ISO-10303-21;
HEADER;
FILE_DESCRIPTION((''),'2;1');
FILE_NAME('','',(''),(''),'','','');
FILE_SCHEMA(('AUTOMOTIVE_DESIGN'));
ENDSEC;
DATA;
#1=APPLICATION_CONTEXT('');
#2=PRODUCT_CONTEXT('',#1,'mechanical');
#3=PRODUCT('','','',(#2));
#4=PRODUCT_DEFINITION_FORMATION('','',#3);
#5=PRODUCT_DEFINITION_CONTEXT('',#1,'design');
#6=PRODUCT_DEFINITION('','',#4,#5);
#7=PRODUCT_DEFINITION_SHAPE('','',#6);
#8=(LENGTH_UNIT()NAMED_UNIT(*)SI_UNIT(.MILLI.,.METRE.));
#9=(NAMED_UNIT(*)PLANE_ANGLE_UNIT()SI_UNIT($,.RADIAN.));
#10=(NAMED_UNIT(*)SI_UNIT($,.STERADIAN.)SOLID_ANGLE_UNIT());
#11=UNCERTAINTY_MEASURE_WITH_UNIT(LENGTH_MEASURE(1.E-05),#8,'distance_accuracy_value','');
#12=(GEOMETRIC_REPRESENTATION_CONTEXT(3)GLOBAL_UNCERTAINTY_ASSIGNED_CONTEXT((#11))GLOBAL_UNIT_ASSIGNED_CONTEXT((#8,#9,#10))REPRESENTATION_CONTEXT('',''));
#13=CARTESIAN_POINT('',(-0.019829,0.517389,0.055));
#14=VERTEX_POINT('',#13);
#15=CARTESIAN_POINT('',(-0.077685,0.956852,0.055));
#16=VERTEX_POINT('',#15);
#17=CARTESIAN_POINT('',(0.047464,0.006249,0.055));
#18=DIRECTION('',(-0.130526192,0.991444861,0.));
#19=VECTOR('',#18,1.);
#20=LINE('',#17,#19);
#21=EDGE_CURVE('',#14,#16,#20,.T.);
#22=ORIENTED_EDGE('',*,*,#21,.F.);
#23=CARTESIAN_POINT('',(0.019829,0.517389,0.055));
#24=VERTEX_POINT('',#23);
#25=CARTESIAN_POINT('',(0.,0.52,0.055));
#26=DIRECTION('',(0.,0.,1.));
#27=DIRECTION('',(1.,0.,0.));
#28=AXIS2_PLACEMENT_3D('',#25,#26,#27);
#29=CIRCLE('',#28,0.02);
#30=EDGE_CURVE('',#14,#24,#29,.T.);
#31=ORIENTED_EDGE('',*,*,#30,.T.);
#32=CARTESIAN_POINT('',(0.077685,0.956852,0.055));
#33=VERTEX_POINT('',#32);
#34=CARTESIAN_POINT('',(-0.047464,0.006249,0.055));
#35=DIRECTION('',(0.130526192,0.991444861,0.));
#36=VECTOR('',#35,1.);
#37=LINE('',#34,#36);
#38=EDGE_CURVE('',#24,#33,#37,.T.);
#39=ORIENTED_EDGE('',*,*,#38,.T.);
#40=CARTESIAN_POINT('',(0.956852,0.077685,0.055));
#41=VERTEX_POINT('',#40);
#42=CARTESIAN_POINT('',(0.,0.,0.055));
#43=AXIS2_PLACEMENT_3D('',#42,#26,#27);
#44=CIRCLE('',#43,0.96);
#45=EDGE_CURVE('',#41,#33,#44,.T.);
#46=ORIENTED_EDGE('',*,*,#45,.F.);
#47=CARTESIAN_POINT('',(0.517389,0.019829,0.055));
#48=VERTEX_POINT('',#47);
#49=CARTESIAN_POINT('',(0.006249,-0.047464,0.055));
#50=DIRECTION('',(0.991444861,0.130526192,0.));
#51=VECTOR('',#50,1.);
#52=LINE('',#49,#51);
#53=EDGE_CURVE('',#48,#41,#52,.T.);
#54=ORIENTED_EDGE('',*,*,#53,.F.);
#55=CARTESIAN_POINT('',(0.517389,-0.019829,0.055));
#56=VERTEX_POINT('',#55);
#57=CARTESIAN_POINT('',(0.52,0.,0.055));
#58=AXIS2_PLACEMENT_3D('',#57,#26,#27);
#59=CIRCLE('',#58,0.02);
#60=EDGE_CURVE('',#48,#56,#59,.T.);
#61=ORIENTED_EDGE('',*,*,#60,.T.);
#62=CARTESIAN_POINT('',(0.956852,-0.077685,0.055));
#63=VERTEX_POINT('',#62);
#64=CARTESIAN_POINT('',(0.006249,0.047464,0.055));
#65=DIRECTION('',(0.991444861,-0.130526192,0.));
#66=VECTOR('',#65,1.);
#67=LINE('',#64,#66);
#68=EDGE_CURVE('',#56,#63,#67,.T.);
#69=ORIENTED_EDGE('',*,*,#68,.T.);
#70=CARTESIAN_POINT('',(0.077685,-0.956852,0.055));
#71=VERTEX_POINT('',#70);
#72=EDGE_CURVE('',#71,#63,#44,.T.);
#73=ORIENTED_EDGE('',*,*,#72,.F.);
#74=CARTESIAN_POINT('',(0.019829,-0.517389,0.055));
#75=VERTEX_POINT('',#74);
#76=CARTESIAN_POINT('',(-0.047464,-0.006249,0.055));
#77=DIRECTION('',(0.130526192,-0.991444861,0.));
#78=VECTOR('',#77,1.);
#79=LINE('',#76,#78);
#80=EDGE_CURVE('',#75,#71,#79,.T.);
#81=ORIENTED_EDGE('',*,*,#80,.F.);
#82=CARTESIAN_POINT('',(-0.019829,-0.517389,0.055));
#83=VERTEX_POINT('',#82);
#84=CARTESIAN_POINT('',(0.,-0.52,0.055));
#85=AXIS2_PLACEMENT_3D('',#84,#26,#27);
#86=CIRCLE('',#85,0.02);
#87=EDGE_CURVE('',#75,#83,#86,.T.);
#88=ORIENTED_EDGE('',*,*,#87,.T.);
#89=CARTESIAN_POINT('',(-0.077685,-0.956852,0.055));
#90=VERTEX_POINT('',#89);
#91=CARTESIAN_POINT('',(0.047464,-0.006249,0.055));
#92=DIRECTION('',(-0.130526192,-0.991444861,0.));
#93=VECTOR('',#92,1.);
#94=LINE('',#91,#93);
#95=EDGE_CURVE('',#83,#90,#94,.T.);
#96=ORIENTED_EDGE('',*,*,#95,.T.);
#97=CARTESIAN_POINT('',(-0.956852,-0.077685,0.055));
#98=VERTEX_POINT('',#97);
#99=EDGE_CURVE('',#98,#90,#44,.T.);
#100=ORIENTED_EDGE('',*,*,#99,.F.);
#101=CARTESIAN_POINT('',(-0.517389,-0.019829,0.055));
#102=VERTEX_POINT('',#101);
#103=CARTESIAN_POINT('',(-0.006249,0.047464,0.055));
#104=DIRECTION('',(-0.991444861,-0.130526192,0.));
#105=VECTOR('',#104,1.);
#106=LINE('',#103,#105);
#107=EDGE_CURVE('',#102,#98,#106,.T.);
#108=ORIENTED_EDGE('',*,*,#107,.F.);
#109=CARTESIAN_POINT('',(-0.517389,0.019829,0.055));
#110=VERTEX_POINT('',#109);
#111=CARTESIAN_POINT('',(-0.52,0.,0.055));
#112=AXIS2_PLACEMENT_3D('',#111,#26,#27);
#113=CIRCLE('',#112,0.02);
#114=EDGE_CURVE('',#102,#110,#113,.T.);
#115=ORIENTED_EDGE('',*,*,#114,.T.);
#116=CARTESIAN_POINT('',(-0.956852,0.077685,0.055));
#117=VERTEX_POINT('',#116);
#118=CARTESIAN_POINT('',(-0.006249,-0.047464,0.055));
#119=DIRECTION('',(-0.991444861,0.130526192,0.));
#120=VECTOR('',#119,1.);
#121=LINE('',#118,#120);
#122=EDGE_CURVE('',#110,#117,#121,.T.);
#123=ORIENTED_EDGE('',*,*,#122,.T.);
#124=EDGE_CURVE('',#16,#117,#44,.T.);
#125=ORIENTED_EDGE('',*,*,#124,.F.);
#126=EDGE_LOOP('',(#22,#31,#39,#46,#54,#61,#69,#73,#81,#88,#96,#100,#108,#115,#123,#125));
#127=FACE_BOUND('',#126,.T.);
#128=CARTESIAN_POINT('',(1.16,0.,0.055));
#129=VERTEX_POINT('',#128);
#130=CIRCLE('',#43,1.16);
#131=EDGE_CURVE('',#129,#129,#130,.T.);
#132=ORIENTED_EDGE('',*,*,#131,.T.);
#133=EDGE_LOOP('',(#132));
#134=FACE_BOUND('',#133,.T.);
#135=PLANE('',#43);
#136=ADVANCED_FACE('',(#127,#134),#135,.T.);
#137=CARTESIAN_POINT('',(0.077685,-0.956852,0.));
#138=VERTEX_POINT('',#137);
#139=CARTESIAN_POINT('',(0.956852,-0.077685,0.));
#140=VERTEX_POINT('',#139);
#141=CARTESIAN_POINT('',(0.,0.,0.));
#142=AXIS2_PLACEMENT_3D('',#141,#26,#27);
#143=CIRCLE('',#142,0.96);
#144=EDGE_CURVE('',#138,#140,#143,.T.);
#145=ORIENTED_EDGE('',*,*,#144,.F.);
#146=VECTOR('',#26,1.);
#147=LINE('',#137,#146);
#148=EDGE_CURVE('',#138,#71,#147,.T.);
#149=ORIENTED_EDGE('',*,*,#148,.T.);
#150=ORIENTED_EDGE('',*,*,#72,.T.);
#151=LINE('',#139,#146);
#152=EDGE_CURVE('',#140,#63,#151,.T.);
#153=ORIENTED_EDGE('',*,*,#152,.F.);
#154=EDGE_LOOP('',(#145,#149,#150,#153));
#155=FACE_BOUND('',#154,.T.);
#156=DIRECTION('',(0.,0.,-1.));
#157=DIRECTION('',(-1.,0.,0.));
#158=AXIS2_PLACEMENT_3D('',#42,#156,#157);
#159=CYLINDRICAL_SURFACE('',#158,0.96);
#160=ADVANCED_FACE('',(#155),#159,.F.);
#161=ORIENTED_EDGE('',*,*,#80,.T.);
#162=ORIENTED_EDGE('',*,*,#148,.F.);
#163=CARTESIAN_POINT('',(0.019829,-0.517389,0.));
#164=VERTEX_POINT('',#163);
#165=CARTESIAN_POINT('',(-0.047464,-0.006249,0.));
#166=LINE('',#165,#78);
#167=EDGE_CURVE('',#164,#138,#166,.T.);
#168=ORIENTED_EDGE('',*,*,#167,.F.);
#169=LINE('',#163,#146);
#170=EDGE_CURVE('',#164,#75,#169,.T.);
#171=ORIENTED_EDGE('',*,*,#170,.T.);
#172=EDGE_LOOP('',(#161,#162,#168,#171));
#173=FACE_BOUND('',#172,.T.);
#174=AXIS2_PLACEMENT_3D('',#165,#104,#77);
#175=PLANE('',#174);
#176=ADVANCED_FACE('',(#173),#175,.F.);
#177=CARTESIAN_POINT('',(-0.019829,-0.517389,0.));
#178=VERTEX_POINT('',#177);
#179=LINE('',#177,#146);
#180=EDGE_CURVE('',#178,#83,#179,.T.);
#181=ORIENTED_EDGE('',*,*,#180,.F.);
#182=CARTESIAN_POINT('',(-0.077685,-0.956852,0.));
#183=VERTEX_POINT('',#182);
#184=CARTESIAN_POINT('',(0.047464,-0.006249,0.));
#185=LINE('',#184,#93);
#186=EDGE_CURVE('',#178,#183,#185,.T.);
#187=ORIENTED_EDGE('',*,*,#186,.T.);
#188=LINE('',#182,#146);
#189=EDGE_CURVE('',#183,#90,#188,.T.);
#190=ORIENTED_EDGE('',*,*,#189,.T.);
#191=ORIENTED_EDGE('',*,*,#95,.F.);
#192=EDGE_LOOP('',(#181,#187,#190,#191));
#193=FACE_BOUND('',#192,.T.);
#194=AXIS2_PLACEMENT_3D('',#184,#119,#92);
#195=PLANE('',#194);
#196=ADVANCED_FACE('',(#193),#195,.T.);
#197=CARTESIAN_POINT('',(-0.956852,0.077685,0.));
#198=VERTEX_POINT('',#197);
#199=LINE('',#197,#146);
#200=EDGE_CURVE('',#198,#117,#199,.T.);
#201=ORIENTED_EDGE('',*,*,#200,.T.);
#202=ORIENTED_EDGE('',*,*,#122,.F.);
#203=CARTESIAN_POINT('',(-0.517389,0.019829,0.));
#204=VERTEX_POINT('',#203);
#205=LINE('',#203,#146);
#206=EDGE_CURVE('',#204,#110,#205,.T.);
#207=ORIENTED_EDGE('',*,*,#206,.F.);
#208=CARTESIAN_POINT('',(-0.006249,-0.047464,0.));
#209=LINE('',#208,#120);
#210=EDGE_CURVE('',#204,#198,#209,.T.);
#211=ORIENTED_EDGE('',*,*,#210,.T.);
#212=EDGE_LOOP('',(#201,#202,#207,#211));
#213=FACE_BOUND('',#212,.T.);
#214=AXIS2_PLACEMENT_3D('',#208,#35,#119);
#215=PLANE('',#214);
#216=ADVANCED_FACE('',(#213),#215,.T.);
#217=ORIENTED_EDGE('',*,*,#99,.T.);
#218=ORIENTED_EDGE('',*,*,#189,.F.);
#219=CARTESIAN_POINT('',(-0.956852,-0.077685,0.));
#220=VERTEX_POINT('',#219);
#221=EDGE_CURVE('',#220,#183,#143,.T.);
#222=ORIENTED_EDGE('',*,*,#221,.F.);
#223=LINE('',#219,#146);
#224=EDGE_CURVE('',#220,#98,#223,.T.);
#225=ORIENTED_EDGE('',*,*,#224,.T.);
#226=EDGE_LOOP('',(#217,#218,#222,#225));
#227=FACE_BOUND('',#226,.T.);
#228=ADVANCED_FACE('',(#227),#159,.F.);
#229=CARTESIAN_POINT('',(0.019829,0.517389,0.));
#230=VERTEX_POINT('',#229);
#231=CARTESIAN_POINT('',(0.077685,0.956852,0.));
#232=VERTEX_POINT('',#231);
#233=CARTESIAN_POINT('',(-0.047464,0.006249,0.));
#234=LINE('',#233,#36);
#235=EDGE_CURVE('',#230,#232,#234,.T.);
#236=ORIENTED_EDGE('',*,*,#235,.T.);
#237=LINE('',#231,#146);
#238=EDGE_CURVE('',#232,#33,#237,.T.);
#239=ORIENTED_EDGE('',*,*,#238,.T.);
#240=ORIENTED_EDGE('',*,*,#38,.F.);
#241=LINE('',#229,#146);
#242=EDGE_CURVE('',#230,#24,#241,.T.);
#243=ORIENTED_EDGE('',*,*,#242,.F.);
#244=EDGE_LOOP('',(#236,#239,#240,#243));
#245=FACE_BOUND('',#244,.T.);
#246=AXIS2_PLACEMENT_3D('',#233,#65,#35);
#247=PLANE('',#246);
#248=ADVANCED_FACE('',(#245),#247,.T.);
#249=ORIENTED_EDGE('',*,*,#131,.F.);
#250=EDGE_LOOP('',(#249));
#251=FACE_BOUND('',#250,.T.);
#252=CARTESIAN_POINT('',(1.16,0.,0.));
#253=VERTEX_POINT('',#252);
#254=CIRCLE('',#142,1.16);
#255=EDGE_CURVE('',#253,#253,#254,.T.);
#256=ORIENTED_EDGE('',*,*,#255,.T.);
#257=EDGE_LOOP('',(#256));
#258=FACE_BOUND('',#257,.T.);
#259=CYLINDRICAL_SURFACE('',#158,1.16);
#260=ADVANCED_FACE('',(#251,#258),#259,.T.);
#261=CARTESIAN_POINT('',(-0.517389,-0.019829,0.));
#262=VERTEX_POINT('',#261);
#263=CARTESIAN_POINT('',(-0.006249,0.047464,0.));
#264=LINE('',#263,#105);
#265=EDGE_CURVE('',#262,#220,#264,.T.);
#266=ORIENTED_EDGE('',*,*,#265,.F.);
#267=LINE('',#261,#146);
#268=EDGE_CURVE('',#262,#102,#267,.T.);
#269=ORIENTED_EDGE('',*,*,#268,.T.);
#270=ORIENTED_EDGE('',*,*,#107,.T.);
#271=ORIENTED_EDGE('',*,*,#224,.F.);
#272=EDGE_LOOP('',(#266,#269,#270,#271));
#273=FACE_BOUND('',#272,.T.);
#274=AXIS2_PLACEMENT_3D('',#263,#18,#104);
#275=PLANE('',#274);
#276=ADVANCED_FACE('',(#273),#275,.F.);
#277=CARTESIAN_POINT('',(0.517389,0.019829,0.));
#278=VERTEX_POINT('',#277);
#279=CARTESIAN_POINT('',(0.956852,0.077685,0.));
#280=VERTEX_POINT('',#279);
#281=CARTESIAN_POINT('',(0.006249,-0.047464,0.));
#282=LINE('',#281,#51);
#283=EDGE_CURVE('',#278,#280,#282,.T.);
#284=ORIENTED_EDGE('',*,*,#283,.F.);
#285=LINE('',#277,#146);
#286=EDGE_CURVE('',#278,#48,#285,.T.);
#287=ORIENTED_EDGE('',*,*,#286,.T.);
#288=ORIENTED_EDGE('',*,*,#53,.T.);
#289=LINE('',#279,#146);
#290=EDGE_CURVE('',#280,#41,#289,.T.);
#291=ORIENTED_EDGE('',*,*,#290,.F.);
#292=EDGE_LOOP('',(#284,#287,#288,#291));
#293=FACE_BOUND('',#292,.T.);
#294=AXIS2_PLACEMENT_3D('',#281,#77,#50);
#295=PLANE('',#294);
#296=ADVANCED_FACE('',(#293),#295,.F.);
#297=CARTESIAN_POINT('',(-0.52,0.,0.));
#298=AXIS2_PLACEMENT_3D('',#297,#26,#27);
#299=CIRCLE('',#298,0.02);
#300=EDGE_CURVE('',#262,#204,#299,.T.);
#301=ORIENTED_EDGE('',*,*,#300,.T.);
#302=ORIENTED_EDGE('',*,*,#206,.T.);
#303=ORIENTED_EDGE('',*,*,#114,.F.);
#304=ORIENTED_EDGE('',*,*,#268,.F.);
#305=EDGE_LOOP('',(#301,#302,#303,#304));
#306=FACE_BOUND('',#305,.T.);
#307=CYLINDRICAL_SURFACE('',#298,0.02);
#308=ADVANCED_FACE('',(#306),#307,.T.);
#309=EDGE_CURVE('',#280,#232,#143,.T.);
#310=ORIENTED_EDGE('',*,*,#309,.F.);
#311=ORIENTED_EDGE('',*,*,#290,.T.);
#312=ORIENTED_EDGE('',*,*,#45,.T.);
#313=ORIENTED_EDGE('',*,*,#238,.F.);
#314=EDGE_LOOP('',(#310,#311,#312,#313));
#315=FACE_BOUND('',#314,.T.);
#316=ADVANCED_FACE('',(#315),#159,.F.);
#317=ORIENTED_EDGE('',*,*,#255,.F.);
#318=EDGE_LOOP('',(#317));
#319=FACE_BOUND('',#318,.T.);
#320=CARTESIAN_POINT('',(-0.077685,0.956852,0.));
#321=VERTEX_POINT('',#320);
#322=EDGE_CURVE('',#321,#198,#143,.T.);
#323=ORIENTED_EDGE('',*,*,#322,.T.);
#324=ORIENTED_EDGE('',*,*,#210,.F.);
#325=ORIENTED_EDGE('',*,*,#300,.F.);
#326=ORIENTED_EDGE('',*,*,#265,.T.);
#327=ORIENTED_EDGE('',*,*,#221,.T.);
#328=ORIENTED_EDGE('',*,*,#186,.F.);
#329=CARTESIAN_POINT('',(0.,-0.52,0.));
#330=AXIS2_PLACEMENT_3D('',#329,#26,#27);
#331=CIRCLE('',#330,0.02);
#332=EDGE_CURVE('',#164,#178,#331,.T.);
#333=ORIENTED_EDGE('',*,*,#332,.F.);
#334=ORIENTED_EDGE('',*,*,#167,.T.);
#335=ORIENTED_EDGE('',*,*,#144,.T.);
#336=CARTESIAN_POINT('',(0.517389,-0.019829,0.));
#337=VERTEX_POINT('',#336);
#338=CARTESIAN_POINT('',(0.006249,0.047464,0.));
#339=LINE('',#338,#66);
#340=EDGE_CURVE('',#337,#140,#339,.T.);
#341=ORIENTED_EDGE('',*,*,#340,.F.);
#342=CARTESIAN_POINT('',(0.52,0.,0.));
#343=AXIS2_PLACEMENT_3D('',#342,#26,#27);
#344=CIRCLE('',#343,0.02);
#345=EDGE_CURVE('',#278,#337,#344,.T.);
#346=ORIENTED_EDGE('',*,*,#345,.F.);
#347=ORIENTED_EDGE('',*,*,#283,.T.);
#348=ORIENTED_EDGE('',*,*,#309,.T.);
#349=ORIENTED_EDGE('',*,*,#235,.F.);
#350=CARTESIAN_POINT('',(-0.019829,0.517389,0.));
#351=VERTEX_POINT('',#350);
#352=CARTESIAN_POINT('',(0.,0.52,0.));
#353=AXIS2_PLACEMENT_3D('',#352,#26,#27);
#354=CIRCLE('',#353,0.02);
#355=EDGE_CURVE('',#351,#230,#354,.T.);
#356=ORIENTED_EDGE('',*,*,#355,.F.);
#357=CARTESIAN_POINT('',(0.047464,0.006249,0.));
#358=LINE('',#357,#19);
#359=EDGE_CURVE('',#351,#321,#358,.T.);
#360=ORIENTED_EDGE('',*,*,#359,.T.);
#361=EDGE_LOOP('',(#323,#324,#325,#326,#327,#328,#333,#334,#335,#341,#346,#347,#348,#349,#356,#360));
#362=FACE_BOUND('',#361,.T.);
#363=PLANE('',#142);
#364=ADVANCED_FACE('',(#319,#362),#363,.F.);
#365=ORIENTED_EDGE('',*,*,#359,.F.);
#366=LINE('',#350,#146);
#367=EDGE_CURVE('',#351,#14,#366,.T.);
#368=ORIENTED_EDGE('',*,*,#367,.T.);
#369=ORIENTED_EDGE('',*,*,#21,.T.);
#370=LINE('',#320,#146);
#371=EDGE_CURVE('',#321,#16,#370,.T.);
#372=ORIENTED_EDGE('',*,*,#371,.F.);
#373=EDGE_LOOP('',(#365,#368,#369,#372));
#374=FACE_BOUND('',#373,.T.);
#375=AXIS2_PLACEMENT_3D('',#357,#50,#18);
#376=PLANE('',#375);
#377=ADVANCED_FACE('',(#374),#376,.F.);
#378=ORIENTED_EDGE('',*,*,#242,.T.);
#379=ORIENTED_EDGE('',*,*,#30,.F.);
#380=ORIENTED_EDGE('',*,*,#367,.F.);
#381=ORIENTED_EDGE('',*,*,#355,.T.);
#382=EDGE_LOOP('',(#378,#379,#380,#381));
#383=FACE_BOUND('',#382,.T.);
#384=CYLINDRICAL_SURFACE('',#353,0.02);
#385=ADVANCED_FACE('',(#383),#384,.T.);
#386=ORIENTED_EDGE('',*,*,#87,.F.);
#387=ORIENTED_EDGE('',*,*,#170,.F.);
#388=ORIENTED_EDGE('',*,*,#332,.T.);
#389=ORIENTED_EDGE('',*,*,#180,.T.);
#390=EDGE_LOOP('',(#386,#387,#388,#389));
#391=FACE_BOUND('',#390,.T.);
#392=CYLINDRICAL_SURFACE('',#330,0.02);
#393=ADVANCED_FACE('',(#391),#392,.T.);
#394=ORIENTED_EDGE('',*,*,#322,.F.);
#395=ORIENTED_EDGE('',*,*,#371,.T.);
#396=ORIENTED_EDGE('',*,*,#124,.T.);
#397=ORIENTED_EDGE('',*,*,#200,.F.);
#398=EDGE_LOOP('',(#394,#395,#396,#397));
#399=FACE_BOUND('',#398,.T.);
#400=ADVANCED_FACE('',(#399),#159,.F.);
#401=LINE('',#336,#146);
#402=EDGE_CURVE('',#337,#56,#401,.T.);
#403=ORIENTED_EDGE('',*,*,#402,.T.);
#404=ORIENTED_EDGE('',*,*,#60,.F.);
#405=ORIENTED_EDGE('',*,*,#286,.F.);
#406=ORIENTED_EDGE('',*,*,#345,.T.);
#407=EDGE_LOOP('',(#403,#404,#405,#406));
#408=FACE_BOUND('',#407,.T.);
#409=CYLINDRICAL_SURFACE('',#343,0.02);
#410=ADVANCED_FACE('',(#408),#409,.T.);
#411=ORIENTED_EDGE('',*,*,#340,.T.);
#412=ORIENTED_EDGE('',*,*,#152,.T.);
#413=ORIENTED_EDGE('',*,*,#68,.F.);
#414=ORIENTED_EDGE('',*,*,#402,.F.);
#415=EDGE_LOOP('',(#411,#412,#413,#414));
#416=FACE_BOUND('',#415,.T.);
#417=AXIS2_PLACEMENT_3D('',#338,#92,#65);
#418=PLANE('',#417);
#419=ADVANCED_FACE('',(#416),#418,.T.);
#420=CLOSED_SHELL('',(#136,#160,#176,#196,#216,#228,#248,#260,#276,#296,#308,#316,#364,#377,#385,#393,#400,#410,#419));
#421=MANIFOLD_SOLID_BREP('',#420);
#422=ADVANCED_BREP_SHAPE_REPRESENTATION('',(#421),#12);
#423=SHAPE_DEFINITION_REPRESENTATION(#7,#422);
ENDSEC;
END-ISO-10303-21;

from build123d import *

# Parameters (mm, degrees)
SKETCH_1_R      = 1.16
SKETCH_1_R_2    = 0.96
EXTRUDE_1_DEPTH = 0.055
EXTRUDE_START   = -0.055
SKETCH_2_R      = 0.02
EXTRUDE_2_DEPTH = 0.055


with BuildPart() as part:
    # 草圖1 → 填料-伸長1 (new body)
    with BuildSketch(Plane.XY):
        Circle(SKETCH_1_R)
        Circle(SKETCH_1_R_2, mode=Mode.SUBTRACT)
    extrude(amount=EXTRUDE_1_DEPTH)

    # 草圖2 → 填料-伸長2 (add)
    with BuildSketch(Plane.XY.offset(0.055).offset(EXTRUDE_START)):
        with BuildLine():
            Line((-0.077685185, 0.956851614), (-0.019828897, 0.517389476))
            ThreePointArc((-0.019828897, 0.517389476), (-0.001308063, 0.539957178), (0.02, 0.52))
            ThreePointArc((0.02, 0.52), (0.019957178, 0.518691937), (0.019828897, 0.517389476))
            Line((0.019828897, 0.517389476), (0.077685185, 0.956851614))
            ThreePointArc((0.077685185, 0.956851614), (0, 0.96), (-0.077685185, 0.956851614))
        make_face()
        with BuildLine():
            ThreePointArc((0.96, 0), (0.959212581, 0.038874479), (0.956851614, 0.077685185))
            Line((0.956851614, 0.077685185), (0.517389476, 0.019828897))
            ThreePointArc((0.517389476, 0.019828897), (0.533186916, 0.015036796), (0.54, 0))
            ThreePointArc((0.54, 0), (0.533186916, -0.015036796), (0.517389476, -0.019828897))
            Line((0.517389476, -0.019828897), (0.956851614, -0.077685185))
            ThreePointArc((0.956851614, -0.077685185), (0.959212581, -0.038874479), (0.96, 0))
        make_face()
        with BuildLine():
            Line((-0.019828897, -0.517389476), (-0.077685185, -0.956851614))
            ThreePointArc((-0.077685185, -0.956851614), (0, -0.96), (0.077685185, -0.956851614))
            Line((0.077685185, -0.956851614), (0.019828897, -0.517389476))
            ThreePointArc((0.019828897, -0.517389476), (0.019957178, -0.518691937), (0.02, -0.52))
            ThreePointArc((0.02, -0.52), (-0.001308063, -0.539957178), (-0.019828897, -0.517389476))
        make_face()
        with BuildLine():
            Line((-0.517389476, 0.019828897), (-0.956851614, 0.077685185))
            ThreePointArc((-0.956851614, 0.077685185), (-0.96, 0), (-0.956851614, -0.077685185))
            Line((-0.956851614, -0.077685185), (-0.517389476, -0.019828897))
            ThreePointArc((-0.517389476, -0.019828897), (-0.54, 0), (-0.517389476, 0.019828897))
        make_face()
        with Locations((0, 0.52)):
            Circle(SKETCH_2_R)
        with Locations((0.52, 0)):
            Circle(SKETCH_2_R)
        with Locations((0, -0.52)):
            Circle(SKETCH_2_R)
        with Locations((-0.52, 0)):
            Circle(SKETCH_2_R)
    extrude(amount=EXTRUDE_2_DEPTH)


solid = part.part
